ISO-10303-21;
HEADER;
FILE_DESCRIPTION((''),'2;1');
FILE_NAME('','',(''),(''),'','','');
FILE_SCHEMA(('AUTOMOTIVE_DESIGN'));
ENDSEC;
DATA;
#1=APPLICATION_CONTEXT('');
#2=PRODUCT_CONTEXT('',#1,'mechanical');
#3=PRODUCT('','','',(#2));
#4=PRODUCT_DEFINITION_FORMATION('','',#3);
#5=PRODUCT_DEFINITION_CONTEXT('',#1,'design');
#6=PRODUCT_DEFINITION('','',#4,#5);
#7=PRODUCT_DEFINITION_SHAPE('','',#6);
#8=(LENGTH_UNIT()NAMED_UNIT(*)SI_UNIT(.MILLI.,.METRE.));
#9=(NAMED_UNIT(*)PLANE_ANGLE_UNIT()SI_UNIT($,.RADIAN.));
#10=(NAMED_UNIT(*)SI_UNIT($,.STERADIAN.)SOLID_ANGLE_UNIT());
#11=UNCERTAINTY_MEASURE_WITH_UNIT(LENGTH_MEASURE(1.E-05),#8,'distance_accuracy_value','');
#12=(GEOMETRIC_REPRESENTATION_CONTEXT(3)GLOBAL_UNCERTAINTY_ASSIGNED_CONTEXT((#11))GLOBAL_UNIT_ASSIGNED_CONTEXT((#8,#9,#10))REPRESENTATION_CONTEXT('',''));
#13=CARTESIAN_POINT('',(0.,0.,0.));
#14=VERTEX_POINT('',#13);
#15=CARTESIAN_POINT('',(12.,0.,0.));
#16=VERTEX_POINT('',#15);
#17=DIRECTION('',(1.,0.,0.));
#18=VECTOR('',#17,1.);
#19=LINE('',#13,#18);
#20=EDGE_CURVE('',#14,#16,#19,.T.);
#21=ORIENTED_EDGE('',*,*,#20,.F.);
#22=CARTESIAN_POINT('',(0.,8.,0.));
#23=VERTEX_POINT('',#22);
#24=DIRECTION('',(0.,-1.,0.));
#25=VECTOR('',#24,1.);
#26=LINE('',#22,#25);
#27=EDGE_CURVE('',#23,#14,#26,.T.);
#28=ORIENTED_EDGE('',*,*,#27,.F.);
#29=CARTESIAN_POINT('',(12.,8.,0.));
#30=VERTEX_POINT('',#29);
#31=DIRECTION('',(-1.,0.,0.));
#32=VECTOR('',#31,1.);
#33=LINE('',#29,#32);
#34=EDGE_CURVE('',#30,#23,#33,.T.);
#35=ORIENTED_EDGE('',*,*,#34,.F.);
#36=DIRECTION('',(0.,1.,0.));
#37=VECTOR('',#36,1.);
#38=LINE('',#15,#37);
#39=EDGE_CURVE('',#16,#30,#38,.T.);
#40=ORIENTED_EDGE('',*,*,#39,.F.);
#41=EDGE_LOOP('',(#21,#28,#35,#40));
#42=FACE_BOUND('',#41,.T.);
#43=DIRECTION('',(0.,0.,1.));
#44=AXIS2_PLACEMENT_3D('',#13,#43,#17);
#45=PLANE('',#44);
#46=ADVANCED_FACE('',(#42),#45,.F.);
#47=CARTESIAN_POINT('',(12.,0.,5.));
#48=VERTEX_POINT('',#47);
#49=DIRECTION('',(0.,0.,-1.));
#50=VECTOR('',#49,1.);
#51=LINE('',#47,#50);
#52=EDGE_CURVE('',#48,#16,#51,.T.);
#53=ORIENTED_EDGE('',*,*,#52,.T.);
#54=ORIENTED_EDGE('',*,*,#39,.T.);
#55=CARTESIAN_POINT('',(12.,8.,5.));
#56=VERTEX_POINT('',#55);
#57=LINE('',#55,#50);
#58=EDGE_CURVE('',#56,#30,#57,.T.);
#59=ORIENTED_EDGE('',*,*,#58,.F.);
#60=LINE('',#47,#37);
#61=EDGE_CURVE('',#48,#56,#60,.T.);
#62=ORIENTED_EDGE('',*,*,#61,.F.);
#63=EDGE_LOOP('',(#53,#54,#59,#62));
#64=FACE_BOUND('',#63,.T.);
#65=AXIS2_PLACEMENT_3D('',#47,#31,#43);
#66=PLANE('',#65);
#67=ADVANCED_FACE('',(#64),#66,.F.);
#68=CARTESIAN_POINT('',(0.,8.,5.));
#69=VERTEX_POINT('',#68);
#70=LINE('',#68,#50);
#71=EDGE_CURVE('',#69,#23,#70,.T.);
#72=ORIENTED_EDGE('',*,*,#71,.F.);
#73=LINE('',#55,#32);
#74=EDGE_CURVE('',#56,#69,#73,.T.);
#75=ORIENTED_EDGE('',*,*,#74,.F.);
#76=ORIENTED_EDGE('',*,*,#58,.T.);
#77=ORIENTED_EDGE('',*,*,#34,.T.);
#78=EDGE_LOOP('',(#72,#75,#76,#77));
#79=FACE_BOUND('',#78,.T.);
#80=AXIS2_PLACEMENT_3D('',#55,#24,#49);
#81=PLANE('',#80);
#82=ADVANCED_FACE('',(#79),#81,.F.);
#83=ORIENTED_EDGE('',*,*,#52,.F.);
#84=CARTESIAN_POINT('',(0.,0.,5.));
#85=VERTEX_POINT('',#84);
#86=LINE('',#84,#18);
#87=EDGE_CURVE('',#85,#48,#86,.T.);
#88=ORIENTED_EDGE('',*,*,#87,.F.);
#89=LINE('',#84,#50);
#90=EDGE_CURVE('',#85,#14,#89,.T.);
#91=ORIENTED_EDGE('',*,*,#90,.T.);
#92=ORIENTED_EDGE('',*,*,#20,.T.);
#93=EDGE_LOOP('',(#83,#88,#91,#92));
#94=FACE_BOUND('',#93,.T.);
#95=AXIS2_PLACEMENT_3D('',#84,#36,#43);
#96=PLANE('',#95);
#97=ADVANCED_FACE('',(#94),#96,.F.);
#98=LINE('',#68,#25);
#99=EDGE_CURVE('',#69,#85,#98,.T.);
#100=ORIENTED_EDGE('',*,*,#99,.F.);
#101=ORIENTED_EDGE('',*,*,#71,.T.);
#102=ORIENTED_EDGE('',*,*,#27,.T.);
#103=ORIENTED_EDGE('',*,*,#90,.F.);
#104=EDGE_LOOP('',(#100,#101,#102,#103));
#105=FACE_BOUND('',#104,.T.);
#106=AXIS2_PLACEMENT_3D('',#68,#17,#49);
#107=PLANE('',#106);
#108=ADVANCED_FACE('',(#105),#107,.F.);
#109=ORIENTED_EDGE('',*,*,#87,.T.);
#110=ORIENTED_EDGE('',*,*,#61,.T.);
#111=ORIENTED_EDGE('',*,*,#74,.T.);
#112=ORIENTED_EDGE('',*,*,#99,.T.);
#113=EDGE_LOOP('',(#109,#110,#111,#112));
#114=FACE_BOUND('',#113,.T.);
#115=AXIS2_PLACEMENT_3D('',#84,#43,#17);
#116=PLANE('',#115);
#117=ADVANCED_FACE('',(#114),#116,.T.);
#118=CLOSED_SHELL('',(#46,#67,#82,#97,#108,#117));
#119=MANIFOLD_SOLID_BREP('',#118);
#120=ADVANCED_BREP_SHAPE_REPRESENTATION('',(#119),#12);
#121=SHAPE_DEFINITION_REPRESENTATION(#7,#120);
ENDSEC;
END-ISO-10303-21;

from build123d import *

# Parameters (mm, degrees)
SKETCH_1_W        = 12
SKETCH_1_H        = 8
CABLE_CLAMP_DEPTH = 5


with BuildPart() as part:
    # 草图1 → Cable_Clamp (new body)
    with BuildSketch(Plane.XY):
        with Locations((6, 4)):
            Rectangle(SKETCH_1_W, SKETCH_1_H)
    extrude(amount=CABLE_CLAMP_DEPTH)


solid = part.part
